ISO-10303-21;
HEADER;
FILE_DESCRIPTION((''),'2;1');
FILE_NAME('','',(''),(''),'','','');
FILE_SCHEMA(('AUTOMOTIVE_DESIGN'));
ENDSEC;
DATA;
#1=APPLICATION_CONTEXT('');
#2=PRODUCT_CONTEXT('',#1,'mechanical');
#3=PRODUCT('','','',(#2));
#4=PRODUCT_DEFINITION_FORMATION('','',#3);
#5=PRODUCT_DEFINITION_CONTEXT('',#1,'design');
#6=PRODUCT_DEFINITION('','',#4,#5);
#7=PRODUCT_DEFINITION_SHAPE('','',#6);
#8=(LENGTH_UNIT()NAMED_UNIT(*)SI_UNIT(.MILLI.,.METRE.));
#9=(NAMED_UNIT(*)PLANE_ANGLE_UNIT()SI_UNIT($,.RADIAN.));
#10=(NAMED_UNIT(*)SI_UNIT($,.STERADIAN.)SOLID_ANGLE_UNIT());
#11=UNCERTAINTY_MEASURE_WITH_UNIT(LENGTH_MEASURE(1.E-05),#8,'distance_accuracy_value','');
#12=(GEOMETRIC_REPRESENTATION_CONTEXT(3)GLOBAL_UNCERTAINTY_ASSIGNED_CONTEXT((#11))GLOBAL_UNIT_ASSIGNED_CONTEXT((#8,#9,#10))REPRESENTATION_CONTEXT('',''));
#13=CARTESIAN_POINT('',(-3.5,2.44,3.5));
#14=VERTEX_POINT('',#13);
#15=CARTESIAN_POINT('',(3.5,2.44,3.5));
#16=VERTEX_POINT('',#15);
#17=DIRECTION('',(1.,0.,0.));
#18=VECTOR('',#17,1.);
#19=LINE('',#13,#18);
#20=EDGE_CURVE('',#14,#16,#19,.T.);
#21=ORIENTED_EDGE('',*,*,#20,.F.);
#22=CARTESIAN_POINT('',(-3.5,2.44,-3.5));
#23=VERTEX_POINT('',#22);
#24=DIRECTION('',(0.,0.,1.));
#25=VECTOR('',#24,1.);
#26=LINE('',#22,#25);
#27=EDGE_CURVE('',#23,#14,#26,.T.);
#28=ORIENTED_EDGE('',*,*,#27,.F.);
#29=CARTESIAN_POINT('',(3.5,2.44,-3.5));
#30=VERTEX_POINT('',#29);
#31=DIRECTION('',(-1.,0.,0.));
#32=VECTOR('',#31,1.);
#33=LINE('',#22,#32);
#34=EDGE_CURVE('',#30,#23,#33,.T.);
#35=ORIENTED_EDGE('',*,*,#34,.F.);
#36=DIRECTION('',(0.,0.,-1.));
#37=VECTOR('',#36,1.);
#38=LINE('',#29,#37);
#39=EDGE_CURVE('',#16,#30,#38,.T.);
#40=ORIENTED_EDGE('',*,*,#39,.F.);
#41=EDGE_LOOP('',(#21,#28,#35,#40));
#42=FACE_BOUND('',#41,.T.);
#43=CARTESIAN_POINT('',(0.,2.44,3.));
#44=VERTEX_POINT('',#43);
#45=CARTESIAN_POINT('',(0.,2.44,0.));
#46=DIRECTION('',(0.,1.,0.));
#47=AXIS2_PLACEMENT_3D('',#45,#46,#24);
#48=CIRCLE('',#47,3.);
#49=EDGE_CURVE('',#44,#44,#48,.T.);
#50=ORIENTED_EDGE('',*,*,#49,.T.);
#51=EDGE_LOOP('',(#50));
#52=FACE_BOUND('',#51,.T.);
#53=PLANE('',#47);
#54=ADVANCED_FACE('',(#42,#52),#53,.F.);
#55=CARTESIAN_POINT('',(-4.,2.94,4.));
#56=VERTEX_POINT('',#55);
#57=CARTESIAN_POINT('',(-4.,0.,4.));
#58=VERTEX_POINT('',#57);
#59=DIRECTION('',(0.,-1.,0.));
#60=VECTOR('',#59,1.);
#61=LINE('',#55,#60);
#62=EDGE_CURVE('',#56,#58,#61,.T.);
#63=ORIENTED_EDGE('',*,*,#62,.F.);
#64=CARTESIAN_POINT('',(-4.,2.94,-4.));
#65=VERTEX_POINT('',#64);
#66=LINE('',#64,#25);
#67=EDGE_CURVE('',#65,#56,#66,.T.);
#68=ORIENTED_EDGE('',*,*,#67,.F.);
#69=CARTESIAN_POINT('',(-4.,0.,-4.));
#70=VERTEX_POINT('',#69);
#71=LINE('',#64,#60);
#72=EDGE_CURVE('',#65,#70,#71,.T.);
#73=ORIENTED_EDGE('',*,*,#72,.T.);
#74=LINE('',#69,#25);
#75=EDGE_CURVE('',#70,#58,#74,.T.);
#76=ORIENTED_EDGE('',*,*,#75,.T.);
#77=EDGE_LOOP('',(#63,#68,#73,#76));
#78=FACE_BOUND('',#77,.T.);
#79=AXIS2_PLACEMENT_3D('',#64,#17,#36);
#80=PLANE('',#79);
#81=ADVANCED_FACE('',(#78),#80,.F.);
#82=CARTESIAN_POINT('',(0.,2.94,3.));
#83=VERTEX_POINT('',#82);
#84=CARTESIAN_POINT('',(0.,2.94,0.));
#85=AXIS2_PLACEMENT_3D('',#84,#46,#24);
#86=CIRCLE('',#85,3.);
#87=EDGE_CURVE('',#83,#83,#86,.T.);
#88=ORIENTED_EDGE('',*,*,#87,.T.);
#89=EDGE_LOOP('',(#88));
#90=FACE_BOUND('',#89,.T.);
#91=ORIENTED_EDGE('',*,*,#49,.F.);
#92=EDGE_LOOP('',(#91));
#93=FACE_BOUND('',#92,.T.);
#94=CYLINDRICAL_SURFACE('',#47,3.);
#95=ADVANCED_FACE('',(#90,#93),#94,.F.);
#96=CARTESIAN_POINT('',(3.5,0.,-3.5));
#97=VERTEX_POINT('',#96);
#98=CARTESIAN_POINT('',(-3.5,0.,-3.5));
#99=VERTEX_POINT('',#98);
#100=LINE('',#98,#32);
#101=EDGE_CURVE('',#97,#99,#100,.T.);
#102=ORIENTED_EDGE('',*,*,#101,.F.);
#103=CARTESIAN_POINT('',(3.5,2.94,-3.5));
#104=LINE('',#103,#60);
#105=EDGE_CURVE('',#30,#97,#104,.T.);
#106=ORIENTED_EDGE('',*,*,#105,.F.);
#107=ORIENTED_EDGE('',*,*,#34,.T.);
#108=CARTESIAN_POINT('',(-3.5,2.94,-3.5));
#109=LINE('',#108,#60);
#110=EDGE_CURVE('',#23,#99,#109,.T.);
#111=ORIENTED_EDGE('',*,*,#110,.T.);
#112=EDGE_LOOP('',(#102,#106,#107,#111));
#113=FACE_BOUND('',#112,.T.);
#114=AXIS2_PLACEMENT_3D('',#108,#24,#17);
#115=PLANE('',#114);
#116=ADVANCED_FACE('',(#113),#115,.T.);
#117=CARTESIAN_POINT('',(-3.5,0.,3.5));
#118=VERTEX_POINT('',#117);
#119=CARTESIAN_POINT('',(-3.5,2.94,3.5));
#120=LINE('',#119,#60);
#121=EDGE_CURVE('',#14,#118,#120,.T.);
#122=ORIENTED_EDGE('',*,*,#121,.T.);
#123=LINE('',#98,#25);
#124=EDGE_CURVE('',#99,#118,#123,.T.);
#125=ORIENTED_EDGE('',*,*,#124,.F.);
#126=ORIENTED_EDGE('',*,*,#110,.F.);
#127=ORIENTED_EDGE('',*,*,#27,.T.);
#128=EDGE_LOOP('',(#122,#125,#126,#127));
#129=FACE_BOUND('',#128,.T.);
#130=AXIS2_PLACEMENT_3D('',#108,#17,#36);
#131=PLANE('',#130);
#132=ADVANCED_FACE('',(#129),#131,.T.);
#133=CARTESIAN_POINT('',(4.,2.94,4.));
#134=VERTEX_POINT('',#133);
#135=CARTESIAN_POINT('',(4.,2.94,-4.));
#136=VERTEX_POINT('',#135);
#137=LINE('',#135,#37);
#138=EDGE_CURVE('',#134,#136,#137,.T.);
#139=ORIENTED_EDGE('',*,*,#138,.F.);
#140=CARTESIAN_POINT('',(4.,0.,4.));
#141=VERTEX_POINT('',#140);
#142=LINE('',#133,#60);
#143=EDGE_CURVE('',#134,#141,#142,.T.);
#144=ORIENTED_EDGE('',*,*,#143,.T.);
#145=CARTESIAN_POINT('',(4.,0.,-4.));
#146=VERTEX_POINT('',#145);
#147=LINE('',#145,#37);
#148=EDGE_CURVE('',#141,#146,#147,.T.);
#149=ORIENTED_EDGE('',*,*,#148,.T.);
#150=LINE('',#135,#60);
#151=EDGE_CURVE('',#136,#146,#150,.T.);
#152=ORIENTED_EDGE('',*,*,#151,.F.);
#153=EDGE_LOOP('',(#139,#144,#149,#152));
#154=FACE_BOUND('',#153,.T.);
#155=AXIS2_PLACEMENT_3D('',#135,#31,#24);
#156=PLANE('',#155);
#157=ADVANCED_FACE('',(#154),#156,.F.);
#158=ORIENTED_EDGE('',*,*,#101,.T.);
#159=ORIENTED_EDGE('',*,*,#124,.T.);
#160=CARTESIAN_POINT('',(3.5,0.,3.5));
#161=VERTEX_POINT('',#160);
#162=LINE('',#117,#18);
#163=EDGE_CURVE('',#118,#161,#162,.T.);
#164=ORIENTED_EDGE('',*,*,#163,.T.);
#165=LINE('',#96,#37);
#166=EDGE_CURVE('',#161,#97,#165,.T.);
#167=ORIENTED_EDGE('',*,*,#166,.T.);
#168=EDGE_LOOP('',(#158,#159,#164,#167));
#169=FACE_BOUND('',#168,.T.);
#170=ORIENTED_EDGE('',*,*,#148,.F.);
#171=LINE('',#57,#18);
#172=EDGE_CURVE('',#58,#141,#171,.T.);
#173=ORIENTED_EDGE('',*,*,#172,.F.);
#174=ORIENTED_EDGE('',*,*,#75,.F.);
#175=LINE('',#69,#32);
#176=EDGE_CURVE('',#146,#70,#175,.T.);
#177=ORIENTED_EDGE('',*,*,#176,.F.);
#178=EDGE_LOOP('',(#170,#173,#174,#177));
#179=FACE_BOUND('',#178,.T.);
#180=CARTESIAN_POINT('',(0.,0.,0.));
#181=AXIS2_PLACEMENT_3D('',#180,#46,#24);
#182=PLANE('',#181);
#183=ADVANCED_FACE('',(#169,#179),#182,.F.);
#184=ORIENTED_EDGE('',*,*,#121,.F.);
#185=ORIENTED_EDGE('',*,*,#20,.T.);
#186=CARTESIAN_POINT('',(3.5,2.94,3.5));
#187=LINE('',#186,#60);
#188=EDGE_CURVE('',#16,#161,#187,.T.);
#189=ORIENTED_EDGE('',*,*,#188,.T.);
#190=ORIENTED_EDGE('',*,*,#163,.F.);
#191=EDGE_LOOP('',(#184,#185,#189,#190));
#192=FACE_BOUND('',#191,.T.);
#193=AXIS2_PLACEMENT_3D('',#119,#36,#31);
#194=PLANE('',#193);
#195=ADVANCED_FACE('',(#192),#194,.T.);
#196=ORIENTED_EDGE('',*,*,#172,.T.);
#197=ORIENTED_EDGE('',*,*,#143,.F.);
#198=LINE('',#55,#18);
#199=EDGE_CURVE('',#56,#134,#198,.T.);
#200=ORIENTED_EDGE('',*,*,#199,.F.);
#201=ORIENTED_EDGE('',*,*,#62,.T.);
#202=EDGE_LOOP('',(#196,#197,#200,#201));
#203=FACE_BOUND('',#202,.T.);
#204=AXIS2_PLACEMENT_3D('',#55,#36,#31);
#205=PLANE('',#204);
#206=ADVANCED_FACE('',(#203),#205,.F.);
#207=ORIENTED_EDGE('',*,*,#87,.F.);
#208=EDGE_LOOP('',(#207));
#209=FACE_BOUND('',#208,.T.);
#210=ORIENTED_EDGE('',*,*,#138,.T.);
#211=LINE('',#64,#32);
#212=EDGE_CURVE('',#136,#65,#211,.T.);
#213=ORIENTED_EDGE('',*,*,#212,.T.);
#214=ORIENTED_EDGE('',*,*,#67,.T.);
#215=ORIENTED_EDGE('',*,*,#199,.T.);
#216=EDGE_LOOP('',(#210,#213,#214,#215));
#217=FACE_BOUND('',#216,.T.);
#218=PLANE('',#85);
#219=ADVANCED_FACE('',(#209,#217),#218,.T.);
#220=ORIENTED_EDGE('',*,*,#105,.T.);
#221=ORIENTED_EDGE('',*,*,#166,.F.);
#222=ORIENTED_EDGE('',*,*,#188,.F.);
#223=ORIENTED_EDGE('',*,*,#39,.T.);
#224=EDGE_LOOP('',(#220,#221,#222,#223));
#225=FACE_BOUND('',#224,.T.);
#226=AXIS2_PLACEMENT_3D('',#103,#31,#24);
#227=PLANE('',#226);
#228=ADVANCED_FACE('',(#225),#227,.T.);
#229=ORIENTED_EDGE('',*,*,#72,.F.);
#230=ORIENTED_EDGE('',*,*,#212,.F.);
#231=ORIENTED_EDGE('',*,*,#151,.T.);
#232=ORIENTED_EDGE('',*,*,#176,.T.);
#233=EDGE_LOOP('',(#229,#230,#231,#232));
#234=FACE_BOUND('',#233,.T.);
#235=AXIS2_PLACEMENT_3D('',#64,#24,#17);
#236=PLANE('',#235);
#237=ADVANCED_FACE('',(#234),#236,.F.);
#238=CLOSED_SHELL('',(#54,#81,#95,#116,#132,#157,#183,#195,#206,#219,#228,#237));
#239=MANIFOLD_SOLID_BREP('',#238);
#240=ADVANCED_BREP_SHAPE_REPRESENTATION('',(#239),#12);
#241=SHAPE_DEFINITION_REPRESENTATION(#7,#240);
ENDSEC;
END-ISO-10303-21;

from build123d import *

# Parameters (mm, degrees)
SKETCH1_W           = 8
SKETCH1_H           = 8
SKETCH1_W_2         = 7
SKETCH1_H_2         = 7
BOSS_EXTRUDE1_DEPTH = 2.94
SKETCH2_W           = 8
SKETCH2_H           = 8
SKETCH2_R           = 3
BOSS_EXTRUDE2_DEPTH = 0.5


with BuildPart() as part:
    # Sketch1 → Boss-Extrude1 (new body)
    with BuildSketch(Plane(origin=(0, 0, 0), x_dir=(1, 0, 0), z_dir=(0, 1, 0))):
        Rectangle(SKETCH1_W, SKETCH1_H)
        Rectangle(SKETCH1_W_2, SKETCH1_H_2, mode=Mode.SUBTRACT)
    extrude(amount=BOSS_EXTRUDE1_DEPTH)

    # Sketch2 → Boss-Extrude2 (add)
    with BuildSketch(Plane(origin=(0, 2.94, 0), x_dir=(1, 0, 0), z_dir=(0, 1, 0))):
        Rectangle(SKETCH2_W, SKETCH2_H)
        with Locations(Location((0, 0, 0), (0, 0, 270))):
            Circle(SKETCH2_R, mode=Mode.SUBTRACT)
    extrude(amount=-BOSS_EXTRUDE2_DEPTH)


solid = part.part
